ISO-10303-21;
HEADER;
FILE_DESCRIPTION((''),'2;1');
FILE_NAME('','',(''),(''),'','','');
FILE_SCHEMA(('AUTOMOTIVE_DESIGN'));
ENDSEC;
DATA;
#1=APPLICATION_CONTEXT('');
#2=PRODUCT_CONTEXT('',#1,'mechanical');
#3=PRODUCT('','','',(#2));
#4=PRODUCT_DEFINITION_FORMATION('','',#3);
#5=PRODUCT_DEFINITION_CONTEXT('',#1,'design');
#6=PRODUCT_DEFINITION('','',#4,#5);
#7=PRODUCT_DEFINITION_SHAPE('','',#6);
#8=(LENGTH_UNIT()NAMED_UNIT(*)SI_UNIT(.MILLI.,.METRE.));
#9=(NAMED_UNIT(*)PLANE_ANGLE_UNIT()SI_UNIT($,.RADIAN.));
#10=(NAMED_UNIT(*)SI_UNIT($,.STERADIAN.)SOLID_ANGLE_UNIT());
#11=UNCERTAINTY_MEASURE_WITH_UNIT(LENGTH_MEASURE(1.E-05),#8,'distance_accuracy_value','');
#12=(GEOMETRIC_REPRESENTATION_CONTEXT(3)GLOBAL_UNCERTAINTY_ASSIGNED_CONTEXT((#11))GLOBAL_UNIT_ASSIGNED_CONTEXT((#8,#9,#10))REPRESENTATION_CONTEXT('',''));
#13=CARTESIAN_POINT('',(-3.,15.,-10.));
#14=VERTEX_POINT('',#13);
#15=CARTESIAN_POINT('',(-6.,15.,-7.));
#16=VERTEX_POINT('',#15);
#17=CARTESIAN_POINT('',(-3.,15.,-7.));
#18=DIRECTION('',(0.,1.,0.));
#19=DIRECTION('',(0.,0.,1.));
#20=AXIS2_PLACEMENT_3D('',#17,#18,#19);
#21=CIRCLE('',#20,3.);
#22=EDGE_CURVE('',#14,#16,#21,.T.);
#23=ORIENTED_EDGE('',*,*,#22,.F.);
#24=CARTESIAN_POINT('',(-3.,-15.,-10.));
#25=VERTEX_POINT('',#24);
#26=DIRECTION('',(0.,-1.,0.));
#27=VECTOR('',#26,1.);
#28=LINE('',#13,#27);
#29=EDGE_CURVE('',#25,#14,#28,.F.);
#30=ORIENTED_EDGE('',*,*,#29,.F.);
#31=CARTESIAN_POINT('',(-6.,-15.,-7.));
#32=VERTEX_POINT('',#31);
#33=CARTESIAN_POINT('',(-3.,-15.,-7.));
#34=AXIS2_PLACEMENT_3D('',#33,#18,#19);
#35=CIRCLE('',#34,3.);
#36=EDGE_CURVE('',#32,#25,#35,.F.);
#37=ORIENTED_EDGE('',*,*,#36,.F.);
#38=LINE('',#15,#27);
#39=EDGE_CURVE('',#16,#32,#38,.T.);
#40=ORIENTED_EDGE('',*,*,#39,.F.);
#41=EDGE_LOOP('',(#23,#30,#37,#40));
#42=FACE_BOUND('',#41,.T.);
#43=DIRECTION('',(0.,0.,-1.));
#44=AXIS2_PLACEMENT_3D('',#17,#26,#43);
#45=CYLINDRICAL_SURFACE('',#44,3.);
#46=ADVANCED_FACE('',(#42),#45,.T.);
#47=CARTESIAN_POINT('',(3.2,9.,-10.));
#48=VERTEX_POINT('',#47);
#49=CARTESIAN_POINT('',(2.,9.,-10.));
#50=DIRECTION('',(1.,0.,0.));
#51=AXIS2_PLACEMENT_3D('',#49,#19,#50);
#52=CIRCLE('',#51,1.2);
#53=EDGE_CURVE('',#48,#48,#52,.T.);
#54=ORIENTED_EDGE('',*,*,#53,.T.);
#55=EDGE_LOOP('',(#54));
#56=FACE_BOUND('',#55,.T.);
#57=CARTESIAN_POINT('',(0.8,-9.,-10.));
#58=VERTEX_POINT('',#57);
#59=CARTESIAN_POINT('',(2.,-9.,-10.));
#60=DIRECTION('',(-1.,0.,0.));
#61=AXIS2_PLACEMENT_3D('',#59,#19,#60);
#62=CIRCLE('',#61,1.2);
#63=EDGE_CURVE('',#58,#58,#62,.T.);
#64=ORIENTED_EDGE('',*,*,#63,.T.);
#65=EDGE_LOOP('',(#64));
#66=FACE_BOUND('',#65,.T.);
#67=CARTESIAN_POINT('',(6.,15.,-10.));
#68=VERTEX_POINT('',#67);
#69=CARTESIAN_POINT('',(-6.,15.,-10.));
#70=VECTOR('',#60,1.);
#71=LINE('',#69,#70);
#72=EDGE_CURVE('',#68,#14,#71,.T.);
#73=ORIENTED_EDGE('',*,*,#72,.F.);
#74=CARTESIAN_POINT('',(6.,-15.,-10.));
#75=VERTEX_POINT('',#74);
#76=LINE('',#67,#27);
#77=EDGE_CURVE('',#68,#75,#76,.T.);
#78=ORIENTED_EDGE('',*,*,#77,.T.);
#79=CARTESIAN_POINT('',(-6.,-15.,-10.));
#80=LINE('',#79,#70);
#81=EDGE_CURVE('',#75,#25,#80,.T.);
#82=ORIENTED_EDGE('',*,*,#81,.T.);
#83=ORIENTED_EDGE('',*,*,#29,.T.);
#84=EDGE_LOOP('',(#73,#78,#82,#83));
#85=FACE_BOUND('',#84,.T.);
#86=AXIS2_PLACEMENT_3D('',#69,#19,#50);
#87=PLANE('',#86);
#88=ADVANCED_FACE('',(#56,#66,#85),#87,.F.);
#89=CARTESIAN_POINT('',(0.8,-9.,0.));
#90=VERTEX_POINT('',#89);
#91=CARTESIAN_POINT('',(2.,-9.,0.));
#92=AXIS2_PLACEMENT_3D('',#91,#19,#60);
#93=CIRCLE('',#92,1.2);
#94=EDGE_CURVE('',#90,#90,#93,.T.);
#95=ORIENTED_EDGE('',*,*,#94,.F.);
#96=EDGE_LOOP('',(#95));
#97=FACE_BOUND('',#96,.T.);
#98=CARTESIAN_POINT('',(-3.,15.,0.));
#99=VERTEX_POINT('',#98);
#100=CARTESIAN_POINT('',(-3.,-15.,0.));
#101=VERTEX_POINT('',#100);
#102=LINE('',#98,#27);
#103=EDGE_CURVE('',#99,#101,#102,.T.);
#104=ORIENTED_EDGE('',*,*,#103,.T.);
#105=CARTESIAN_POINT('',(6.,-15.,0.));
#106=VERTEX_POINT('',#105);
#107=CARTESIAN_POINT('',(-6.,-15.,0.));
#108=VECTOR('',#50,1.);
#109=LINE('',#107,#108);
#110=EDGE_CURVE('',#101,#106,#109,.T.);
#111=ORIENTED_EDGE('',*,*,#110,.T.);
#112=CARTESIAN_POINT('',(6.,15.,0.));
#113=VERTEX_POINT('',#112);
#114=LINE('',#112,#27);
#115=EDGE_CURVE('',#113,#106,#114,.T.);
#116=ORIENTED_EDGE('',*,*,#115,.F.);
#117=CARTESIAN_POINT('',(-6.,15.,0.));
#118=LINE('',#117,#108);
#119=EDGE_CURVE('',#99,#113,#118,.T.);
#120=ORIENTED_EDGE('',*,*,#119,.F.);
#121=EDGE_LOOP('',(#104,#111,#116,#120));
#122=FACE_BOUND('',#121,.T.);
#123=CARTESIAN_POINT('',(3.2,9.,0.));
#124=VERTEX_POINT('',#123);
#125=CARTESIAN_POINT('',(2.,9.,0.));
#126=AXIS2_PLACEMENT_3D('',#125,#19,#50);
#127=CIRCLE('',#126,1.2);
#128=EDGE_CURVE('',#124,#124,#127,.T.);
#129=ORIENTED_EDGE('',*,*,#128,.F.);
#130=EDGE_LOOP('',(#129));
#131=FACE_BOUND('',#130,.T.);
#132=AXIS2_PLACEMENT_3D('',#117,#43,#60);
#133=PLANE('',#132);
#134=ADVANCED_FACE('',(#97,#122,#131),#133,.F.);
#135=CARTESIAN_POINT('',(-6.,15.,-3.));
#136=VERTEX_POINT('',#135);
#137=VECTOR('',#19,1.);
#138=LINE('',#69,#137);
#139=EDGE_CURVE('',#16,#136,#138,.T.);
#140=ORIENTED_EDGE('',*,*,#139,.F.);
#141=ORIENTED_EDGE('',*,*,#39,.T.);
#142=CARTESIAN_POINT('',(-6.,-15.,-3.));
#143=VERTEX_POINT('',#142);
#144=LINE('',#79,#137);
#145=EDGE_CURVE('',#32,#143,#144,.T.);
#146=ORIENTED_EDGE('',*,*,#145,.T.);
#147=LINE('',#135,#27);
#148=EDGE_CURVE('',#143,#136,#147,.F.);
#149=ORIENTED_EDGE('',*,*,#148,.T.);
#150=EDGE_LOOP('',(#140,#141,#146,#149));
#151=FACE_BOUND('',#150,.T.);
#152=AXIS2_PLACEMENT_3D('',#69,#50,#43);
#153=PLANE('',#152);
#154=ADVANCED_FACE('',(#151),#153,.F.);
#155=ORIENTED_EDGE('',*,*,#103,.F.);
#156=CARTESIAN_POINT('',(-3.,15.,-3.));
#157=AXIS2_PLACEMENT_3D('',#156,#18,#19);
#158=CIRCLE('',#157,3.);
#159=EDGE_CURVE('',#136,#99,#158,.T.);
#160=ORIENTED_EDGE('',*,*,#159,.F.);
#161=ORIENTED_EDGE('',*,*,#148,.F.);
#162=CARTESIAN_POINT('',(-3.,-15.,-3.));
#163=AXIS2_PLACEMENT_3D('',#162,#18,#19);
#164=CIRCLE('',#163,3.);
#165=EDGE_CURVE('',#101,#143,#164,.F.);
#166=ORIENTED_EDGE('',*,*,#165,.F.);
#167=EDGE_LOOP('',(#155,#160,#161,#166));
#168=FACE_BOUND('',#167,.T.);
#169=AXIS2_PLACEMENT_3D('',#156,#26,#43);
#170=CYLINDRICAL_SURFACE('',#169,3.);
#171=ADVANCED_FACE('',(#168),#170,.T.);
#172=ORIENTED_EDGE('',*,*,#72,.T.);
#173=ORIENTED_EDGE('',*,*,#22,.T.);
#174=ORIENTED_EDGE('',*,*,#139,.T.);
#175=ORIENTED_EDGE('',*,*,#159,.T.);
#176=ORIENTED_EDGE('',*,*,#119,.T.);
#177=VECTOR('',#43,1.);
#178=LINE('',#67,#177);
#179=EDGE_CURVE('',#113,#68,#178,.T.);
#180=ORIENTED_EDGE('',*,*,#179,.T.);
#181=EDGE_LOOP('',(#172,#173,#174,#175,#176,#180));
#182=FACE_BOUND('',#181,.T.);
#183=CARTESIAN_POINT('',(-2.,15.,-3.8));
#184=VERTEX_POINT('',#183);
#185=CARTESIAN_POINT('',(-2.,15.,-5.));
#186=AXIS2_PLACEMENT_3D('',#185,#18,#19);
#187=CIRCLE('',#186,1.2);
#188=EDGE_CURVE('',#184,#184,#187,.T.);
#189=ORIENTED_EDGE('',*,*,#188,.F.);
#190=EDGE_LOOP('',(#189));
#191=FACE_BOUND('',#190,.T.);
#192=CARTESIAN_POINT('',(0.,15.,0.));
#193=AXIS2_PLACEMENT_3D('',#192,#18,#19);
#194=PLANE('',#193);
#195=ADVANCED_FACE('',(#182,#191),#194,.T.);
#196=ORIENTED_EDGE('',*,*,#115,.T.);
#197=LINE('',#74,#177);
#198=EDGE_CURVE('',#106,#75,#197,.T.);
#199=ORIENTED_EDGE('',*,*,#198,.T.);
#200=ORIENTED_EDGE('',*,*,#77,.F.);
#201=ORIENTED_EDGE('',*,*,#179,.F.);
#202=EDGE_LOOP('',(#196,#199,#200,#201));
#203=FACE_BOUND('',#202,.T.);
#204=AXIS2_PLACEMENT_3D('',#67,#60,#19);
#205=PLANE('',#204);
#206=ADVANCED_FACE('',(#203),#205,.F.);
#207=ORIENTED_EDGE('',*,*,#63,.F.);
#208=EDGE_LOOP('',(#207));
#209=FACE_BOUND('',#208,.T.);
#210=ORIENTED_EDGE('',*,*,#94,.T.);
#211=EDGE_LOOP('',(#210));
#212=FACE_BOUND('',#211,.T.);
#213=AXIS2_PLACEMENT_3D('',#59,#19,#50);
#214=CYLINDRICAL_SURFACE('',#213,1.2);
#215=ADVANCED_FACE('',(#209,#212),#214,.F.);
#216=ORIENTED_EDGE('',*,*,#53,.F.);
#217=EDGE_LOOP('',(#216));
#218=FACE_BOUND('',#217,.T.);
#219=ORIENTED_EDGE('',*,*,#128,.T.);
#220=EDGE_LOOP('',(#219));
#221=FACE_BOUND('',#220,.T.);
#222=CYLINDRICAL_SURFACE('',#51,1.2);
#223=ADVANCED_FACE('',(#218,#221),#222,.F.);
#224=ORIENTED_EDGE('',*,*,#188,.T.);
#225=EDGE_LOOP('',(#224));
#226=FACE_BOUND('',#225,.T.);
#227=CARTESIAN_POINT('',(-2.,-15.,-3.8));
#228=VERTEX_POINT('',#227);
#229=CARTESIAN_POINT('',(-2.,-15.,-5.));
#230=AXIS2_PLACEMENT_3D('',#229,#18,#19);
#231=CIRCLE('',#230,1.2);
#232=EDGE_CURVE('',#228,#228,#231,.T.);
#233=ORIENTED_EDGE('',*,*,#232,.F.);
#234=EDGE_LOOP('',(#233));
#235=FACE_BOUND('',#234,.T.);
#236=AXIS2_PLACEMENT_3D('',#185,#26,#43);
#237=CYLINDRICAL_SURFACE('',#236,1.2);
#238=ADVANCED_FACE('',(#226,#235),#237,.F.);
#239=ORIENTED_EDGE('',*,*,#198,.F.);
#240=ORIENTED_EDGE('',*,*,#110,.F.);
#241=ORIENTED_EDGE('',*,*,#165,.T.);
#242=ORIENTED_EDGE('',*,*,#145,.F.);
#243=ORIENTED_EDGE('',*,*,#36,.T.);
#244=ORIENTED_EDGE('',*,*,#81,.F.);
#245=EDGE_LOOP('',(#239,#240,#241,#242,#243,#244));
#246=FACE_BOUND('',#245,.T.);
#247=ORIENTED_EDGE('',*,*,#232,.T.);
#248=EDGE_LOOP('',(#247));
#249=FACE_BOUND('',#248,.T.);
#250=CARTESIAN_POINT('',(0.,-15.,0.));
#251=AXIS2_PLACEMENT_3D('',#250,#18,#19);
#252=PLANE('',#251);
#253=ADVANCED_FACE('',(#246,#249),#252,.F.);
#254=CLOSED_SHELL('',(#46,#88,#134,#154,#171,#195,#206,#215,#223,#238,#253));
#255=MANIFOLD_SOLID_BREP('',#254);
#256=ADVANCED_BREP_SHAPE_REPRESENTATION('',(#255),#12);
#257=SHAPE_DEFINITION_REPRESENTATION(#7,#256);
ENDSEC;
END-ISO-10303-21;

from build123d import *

# Parameters (mm, degrees)
ESQUISSE1_W             = 12
ESQUISSE1_H             = 10
ESQUISSE1_R             = 1.2
BOSS_EXTRU_1_DEPTH      = 15
ESQUISSE2_R             = 1.2
ENL_V_MAT_EXTRU_1_DEPTH = 20
CONG_1_R                = 3


with BuildPart() as part:
    # Esquisse1 → Boss.-Extru.1 (new, symmetric)
    with BuildSketch(Plane(origin=(0, 0, 0), x_dir=(1, 0, 0), z_dir=(0, 1, 0))):
        with Locations((0, 5)):
            Rectangle(ESQUISSE1_W, ESQUISSE1_H)
        with Locations(Location((-2, 5, 0), (0, 0, 270))):
            Circle(ESQUISSE1_R, mode=Mode.SUBTRACT)
    extrude(amount=BOSS_EXTRU_1_DEPTH, both=True)

    # Esquisse2 → Enlèv. mat.-Extru.1 (cut, through all)
    with BuildSketch(Plane.XY):
        with Locations((2, 9)):
            Circle(ESQUISSE2_R)
        with Locations(Location((2, -9, 0), (0, 0, 180))):
            Circle(ESQUISSE2_R)
    extrude(amount=-ENL_V_MAT_EXTRU_1_DEPTH, mode=Mode.SUBTRACT)

    # Congé1
    cong_1_edges = [part.edges().sort_by_distance(p)[0] for p in [
        (-6, 0, -10),
        (-6, 0, 0),
    ]]
    fillet(cong_1_edges, radius=CONG_1_R)


solid = part.part
